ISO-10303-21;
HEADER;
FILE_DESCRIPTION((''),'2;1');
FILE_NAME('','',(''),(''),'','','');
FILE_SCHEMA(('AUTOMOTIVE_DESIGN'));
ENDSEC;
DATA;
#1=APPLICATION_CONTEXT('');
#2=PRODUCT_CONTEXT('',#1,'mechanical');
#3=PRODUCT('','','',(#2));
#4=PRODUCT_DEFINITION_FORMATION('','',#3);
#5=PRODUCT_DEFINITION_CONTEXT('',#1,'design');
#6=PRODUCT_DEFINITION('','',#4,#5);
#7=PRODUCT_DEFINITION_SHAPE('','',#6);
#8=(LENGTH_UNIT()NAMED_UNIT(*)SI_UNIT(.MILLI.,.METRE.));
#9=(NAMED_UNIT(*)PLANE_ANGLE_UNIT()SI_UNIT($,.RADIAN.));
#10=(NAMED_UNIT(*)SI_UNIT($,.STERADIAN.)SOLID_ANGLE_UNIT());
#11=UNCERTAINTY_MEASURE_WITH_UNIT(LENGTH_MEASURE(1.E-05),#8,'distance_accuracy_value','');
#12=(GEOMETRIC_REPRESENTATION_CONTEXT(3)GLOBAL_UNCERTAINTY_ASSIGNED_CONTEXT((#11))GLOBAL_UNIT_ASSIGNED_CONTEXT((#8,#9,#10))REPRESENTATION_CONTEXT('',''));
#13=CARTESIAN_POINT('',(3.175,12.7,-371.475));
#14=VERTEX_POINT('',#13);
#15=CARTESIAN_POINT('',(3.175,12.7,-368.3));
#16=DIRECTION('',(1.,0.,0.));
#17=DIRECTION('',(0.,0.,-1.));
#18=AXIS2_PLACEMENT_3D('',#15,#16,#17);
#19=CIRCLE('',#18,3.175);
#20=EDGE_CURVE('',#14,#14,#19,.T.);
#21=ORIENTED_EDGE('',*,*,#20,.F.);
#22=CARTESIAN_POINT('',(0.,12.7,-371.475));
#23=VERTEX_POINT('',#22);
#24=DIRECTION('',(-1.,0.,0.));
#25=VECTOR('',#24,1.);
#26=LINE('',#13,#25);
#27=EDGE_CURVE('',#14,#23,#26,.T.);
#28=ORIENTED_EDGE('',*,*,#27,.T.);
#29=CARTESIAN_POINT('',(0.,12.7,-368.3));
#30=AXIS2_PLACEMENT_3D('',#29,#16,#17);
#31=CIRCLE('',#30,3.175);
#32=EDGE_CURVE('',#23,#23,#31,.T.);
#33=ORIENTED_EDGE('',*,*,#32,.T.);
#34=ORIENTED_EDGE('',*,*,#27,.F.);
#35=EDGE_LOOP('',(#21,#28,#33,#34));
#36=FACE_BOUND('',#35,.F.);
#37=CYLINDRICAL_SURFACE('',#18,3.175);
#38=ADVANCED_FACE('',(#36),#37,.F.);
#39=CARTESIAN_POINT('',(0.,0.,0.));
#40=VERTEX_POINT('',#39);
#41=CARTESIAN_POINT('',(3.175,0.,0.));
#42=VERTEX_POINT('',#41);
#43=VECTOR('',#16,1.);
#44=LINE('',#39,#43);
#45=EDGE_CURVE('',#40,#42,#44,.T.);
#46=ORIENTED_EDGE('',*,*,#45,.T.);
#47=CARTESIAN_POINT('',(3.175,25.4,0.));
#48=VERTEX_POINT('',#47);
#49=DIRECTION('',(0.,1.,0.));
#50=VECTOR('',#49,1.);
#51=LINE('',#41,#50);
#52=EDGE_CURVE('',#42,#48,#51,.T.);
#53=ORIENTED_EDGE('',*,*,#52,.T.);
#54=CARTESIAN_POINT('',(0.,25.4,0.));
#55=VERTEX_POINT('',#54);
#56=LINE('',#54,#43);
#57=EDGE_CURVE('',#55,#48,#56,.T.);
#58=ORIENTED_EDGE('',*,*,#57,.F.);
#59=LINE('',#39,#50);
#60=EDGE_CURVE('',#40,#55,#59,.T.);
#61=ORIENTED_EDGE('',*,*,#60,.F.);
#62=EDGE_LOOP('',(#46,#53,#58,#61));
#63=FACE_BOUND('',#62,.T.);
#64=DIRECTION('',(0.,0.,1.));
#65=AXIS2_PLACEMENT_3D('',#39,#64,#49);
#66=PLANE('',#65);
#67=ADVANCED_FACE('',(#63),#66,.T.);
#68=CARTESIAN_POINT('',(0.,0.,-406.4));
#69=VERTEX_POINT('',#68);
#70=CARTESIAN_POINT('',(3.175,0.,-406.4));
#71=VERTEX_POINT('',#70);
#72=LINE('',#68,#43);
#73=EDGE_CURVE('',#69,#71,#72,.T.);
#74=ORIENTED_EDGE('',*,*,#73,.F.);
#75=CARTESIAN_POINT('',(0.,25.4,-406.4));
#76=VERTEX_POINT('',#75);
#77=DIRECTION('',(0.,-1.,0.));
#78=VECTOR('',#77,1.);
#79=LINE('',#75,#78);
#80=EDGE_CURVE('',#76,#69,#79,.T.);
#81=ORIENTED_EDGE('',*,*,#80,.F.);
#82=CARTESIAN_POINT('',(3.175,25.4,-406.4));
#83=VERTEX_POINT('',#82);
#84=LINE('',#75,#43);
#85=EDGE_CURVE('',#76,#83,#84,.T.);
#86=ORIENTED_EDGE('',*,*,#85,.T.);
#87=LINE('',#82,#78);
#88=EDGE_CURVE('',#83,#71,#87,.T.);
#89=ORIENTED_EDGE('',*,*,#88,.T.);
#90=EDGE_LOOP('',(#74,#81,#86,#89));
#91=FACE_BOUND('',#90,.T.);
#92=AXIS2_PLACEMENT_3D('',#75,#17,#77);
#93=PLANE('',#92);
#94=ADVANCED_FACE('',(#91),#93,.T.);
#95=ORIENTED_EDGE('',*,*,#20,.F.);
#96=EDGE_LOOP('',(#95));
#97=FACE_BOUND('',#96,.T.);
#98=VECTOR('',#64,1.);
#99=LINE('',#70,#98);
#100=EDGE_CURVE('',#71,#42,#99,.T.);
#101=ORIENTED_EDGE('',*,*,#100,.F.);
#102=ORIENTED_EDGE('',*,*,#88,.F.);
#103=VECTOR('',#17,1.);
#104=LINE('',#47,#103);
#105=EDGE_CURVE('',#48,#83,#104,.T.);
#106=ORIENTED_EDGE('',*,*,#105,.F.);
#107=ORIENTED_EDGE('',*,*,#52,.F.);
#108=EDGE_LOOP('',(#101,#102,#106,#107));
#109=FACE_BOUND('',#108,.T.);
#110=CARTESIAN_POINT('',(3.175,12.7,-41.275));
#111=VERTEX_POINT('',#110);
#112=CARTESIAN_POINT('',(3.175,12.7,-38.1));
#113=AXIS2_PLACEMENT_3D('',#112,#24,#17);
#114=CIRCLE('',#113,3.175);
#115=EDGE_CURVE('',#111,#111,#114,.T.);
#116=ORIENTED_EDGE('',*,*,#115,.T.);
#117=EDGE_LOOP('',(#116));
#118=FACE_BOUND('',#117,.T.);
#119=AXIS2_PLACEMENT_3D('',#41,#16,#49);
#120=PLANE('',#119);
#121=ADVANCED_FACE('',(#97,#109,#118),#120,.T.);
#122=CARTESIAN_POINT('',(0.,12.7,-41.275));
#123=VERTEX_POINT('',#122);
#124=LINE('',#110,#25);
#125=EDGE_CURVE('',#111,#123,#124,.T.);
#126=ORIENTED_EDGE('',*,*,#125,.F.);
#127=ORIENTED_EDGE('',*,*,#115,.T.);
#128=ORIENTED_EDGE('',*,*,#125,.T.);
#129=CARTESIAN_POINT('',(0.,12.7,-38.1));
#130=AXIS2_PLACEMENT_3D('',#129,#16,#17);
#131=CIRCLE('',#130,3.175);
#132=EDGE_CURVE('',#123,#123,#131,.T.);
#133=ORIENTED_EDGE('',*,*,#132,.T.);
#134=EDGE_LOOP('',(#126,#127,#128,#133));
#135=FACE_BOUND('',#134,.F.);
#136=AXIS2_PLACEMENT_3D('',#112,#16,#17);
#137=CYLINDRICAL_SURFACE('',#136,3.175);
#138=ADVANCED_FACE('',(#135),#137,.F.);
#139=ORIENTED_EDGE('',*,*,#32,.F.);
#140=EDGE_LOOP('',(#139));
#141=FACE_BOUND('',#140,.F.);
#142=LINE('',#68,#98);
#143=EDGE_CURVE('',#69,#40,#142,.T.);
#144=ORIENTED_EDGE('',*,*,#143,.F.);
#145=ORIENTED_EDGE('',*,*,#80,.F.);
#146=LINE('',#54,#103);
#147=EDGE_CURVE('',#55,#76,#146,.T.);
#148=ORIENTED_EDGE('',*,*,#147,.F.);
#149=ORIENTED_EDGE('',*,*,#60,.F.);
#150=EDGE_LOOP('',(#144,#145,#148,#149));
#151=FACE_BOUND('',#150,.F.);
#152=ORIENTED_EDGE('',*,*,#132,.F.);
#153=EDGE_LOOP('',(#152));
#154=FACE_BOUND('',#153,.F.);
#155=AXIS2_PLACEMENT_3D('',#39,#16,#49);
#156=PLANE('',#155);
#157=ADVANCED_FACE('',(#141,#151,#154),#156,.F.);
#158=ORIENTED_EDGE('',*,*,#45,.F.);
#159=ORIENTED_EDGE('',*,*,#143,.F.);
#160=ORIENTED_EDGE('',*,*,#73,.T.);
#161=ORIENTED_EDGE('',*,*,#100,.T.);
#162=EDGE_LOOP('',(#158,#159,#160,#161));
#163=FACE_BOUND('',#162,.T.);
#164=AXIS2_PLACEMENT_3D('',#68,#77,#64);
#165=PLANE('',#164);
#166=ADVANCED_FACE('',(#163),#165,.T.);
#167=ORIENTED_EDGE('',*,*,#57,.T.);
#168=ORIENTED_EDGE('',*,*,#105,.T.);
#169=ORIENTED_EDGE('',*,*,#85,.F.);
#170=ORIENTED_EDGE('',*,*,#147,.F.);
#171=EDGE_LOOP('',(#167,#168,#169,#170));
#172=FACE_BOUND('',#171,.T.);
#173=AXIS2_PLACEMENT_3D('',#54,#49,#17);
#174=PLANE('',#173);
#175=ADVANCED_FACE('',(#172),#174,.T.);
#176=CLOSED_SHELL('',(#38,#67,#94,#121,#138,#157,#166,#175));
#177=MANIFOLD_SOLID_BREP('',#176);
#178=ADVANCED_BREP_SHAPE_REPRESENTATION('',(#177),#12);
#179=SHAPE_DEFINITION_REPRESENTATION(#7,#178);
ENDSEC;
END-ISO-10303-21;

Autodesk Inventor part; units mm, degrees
ref_plane "YZ Plane" through (0, 0, 0) normal (1, 0, 0) x (0, 1, 0)
ref_plane "XZ Plane" through (0, 0, 0) normal (0, 1, 0) x (-1, 0, 0)
ref_plane "XY Plane" through (0, 0, 0) normal (0, 0, 1) x (1, 0, 0)
sketch "Sketch1" plane through (0, 0, 0) normal (1, 0, 0) x (0, 1, 0)
  line L0 (0, 0) -> (25.4, 0)
  line L1 (25.4, 0) -> (25.4, -406.4)
  line L2 (25.4, -406.4) -> (0, -406.4)
  line L3 (0, -406.4) -> (0, 0)
  dimension "d0" = 25.4
  dimension "d1" = 406.4
extrude "Extrusion1" add sketch "Sketch1" along normal blind 3.175
sketch "Sketch2" plane through (3.175, 0, 0) normal (1, 0, 0) x (0, 0, -1)
  line L0 (0, 25.4) -> (0, 0) projected
  line L1 (406.4, 0) -> (406.4, 25.4) projected
  line L2 (406.4, 25.4) -> (0, 25.4) projected
  line L3 (0, 12.7) -> (38.1, 12.7)
  line L4 (0, 12.7) -> (38.1, 12.7) construction
  line L5 (406.4, 12.7) -> (368.3, 12.7)
  line L6 (406.4, 12.7) -> (444.5, 12.7) construction
  circle A0 centre (38.1, 12.7) radius 3.175
  circle A1 centre (368.3, 12.7) radius 3.175
  dimension "d4" = 38.1
  dimension "d5" = 0
  dimension "d6" = 38.1
  dimension "d7" = 180
  dimension "d8" = 6.35
  dimension "d9" = 6.35
extrude "Extrusion2" cut sketch "Sketch2" against normal blind 3.175
properties part number "CatchPlate"
